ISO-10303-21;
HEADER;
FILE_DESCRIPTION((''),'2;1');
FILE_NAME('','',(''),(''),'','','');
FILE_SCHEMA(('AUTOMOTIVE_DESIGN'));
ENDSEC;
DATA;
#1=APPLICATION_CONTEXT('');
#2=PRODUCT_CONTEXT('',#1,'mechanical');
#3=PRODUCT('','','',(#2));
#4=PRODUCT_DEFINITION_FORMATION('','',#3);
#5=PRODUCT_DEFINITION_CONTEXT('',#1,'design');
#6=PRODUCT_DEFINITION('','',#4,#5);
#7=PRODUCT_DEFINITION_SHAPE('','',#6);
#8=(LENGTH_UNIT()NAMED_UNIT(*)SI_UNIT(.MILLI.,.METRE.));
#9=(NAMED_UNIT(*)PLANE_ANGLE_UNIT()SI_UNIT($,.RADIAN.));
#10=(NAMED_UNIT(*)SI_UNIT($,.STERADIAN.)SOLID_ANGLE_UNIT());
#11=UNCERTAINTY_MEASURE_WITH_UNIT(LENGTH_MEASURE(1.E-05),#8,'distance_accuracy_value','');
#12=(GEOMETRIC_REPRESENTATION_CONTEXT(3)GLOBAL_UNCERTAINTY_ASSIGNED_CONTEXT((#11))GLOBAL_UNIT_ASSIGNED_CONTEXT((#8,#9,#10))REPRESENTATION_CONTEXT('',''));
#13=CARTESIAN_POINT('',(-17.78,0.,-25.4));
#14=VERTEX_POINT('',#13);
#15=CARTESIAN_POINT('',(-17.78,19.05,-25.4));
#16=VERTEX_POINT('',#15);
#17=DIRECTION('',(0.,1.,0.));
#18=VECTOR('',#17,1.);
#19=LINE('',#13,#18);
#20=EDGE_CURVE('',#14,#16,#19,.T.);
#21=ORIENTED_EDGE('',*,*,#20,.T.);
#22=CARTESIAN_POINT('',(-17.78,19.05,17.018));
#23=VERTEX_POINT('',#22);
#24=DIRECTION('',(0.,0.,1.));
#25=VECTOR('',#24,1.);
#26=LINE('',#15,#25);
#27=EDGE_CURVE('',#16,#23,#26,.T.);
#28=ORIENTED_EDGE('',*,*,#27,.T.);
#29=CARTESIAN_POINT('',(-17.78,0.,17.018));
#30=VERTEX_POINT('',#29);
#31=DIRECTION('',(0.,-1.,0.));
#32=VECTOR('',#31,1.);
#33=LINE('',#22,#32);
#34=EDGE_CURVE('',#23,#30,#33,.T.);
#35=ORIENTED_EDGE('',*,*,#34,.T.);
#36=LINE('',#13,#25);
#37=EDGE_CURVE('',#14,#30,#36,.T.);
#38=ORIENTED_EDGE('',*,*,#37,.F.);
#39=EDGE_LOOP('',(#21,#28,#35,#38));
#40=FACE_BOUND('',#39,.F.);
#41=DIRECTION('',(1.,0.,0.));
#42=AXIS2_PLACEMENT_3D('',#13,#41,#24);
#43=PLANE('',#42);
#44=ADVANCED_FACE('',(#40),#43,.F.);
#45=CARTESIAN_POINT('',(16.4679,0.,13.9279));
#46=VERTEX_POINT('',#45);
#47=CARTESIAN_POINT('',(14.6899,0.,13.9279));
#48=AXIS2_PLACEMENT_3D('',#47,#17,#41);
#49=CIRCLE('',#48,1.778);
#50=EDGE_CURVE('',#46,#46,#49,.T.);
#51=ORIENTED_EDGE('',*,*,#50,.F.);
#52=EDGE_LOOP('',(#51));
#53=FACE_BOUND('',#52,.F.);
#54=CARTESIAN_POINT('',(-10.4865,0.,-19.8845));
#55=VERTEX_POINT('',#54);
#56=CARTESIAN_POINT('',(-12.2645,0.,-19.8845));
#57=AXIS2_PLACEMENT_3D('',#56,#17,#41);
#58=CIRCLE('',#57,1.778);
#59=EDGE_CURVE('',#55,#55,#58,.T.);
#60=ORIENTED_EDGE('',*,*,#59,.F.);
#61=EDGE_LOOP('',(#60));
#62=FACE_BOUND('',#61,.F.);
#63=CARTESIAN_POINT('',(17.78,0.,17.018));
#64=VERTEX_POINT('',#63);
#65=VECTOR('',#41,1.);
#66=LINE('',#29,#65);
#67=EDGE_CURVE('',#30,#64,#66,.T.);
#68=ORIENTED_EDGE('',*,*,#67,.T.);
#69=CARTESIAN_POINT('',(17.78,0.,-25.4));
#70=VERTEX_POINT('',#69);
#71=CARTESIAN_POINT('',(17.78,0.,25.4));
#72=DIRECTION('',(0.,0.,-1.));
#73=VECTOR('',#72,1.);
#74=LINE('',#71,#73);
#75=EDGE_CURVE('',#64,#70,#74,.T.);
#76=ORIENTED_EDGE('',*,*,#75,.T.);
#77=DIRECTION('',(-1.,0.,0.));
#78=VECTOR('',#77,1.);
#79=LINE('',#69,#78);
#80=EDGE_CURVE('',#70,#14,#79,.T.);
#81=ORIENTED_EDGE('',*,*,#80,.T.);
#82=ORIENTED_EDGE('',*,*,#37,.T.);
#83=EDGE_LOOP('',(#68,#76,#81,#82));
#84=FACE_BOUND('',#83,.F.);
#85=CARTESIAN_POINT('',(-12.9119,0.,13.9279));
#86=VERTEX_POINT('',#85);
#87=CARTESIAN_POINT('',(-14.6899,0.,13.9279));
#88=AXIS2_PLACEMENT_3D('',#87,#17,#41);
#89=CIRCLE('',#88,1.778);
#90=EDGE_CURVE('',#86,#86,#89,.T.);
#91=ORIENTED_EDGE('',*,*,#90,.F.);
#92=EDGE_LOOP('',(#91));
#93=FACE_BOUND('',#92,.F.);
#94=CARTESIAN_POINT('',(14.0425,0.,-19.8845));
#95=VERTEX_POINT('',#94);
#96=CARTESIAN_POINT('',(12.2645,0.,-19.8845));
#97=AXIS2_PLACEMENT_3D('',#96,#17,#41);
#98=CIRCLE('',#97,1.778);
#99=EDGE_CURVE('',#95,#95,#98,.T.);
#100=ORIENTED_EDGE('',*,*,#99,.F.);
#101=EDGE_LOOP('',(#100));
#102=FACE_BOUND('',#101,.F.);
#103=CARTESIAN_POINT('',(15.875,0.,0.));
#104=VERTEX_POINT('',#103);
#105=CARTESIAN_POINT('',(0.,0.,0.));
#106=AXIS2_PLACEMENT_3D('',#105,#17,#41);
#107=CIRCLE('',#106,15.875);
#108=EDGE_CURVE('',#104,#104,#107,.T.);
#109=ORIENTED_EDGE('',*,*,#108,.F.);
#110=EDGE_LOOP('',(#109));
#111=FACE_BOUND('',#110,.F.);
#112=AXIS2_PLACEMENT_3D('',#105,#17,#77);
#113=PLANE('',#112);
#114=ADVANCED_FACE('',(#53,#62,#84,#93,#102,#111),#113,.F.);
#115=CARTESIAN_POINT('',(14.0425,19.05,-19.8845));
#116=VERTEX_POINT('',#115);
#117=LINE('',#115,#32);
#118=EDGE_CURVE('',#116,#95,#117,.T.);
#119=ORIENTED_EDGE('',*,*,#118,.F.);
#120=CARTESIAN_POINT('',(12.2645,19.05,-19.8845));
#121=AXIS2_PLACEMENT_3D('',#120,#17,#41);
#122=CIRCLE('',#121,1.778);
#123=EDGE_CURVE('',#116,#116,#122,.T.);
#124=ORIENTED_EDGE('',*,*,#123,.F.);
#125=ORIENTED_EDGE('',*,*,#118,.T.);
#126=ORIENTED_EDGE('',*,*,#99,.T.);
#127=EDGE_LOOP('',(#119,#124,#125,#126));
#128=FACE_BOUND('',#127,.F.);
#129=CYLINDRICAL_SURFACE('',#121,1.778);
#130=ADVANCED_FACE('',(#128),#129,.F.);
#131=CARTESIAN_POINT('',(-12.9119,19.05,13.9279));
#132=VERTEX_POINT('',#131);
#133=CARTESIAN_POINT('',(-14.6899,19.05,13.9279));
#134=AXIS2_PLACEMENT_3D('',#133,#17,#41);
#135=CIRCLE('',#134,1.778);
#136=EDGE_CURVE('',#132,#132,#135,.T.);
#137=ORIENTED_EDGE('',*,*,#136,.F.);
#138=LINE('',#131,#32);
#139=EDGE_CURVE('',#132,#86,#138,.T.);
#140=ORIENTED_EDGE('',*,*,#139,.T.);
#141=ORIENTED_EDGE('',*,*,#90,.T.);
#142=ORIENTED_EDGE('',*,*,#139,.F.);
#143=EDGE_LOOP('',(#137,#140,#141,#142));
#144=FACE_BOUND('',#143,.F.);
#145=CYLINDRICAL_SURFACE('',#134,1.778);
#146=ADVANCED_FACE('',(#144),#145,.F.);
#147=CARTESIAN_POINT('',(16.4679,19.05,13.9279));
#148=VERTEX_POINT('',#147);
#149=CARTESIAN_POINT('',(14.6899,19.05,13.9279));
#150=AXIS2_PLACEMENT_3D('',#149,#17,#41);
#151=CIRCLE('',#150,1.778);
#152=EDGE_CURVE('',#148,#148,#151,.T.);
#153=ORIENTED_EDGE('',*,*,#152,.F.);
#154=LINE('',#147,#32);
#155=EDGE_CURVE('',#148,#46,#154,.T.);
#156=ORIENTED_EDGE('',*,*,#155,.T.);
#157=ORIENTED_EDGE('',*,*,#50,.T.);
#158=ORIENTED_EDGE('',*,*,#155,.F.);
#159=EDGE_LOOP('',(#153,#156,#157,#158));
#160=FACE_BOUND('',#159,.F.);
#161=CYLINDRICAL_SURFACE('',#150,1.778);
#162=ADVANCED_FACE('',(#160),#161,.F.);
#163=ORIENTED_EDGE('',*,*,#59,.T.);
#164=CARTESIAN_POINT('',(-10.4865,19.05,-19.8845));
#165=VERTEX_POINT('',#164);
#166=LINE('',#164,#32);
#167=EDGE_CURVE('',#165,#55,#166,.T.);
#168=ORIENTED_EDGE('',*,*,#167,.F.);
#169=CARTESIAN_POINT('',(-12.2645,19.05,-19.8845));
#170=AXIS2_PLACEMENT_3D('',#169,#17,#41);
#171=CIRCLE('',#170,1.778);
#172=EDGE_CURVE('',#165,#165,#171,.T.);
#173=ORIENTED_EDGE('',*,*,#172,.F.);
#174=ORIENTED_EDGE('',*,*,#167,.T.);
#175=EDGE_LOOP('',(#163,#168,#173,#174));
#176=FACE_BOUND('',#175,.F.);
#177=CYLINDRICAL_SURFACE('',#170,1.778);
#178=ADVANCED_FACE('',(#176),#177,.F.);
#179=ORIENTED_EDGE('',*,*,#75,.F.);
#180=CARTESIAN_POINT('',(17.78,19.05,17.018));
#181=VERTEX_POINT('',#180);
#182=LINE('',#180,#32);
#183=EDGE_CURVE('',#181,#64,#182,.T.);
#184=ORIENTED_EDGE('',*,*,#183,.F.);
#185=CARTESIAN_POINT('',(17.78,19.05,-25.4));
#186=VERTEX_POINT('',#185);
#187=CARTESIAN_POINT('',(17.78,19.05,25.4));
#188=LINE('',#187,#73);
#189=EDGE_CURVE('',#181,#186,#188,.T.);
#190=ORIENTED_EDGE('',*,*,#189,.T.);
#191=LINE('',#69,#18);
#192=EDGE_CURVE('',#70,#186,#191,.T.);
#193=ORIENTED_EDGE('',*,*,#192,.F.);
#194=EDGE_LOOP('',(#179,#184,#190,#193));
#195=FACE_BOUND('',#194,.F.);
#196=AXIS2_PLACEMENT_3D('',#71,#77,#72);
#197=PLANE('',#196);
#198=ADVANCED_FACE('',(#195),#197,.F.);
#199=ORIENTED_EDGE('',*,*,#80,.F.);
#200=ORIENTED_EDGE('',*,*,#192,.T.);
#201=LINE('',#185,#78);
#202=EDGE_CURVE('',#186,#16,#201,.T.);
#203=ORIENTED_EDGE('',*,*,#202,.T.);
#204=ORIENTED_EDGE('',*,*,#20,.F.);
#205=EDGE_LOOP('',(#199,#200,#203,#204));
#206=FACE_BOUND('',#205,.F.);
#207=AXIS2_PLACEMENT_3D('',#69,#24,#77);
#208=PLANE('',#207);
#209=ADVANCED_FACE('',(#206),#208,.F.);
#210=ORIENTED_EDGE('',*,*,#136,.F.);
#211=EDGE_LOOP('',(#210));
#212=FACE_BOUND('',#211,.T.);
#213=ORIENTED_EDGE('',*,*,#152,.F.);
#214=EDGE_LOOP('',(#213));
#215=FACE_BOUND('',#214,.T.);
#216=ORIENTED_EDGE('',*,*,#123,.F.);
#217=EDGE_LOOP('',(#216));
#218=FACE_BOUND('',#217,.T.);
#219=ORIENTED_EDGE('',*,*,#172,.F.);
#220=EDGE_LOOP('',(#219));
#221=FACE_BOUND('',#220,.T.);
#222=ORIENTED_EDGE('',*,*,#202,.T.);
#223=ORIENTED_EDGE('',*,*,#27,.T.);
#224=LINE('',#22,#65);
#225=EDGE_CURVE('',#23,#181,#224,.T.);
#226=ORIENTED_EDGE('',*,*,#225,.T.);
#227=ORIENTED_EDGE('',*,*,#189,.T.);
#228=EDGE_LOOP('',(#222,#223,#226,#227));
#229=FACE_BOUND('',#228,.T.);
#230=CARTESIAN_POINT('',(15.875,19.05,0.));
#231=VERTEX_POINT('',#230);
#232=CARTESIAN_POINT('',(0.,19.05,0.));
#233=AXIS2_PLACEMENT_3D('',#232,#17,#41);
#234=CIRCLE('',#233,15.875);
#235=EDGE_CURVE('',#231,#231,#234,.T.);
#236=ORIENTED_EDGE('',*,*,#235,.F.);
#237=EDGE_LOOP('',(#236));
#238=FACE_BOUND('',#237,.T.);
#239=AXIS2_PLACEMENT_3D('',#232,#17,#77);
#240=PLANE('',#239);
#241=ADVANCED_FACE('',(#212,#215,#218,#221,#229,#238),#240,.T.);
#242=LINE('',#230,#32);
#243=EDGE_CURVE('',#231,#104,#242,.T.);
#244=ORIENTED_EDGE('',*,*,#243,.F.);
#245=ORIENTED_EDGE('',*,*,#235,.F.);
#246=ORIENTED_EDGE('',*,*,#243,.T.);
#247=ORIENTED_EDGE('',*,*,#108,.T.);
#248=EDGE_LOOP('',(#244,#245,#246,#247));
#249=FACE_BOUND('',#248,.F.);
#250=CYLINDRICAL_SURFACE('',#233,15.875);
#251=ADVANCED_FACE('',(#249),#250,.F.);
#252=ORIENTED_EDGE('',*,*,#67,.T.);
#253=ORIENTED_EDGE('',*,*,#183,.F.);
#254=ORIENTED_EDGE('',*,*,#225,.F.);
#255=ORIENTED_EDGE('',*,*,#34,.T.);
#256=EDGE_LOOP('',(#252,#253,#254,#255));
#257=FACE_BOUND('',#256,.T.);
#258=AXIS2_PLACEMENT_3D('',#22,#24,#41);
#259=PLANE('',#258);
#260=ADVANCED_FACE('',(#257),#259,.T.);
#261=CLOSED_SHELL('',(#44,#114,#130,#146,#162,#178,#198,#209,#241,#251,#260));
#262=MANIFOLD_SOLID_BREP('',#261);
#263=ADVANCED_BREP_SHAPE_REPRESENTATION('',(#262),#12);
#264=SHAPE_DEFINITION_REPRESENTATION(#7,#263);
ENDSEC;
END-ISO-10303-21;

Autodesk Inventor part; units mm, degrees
ref_plane "YZ Plane" through (0, 0, 0) normal (1, 0, 0) x (0, 1, 0)
ref_plane "XZ Plane" through (0, 0, 0) normal (0, 1, 0) x (-1, 0, 0)
ref_plane "XY Plane" through (0, 0, 0) normal (0, 0, 1) x (1, 0, 0)
sketch "Sketch3" plane through (0, 0, 0) normal (0, 1, 0) x (-1, 0, 0)
  line L0 (-17.78, -25.4) -> (17.78, -25.4)
  line L1 (17.78, -25.4) -> (17.78, 25.4)
  line L2 (17.78, 25.4) -> (-17.78, 25.4)
  line L3 (-17.78, 25.4) -> (-17.78, -25.4)
  line L4 (-17.78, -25.4) -> (17.78, 25.4) construction
  line L5 (17.78, -25.4) -> (-17.78, 25.4) construction
  point P0 (0, 0)
  dimension "d11" = 35.56
  dimension "d12" = 50.8
extrude "Extrusion3" add sketch "Sketch3" along normal blind 19.05
sketch "Sketch4" plane through (0, 19.05, 0) normal (0, 1, 0) x (1, 0, 0)
  circle A0 centre (0, 0) radius 15.875
  dimension "d15" = 31.75
extrude "Extrusion4" cut sketch "Sketch4" against normal blind 19.05
sketch "Sketch5" plane through (0, 19.05, 0) normal (0, 1, 0) x (1, 0, 0)
  line L0 (-17.6835, 25.5364) -> (55.9847, 25.5364) construction
  line L1 (-17.78, -25.4) -> (33.02, -25.4) construction
  circle A0 centre (12.2645, 19.8845) radius 1.778
  circle A1 centre (-12.2645, 19.8845) radius 1.778
  circle A2 centre (-12.2645, -19.8845) radius 1.778
  circle A3 centre (12.2645, -19.8845) radius 1.778
  point P0 (0, 0)
  point P1 (-17.78, 25.4)
  point P2 (17.78, -25.4)
  point P3 (17.78, 25.4)
  point P4 (0, 0)
  dimension "d20" = 3.556
  dimension "d21" = 3.556
  dimension "d22" = 3.556
  dimension "d23" = 3.556
extrude "Extrusion5" cut sketch "Sketch5" against normal blind 19.05
sketch "Sketch6" plane through (0, 19.05, 0) normal (0, 1, 0) x (1, 0, 0)
  line L0 (-17.78, -17.018) -> (17.78, -17.018)
  line L1 (-17.78, -17.018) -> (-17.78, -25.4)
  line L2 (-17.78, -25.4) -> (17.78, -25.4) projected
  line L3 (17.78, -25.4) -> (17.78, -17.018)
  point P0 (0, 0)
  point P1 (17.78, 25.4)
  point P2 (-17.78, 25.4)
  dimension "d26" = 42.418
extrude "Extrusion6" cut sketch "Sketch6" against normal blind 19.05
sketch "Sketch7" plane through (0, 19.05, 0) normal (0, 1, 0) x (1, 0, 0)
  circle A0 centre (-14.6899, -13.9279) radius 1.778
  circle A1 centre (14.6899, -13.9279) radius 1.778
  point P0 (0, 0)
  point P1 (-17.78, -17.018)
  dimension "d30" = 3.556
  dimension "d31" = 3.556
extrude "Extrusion7" cut sketch "Sketch7" against normal blind 19.05
properties part number "DPLX_P020_Camera Shroud Base_RevB"
